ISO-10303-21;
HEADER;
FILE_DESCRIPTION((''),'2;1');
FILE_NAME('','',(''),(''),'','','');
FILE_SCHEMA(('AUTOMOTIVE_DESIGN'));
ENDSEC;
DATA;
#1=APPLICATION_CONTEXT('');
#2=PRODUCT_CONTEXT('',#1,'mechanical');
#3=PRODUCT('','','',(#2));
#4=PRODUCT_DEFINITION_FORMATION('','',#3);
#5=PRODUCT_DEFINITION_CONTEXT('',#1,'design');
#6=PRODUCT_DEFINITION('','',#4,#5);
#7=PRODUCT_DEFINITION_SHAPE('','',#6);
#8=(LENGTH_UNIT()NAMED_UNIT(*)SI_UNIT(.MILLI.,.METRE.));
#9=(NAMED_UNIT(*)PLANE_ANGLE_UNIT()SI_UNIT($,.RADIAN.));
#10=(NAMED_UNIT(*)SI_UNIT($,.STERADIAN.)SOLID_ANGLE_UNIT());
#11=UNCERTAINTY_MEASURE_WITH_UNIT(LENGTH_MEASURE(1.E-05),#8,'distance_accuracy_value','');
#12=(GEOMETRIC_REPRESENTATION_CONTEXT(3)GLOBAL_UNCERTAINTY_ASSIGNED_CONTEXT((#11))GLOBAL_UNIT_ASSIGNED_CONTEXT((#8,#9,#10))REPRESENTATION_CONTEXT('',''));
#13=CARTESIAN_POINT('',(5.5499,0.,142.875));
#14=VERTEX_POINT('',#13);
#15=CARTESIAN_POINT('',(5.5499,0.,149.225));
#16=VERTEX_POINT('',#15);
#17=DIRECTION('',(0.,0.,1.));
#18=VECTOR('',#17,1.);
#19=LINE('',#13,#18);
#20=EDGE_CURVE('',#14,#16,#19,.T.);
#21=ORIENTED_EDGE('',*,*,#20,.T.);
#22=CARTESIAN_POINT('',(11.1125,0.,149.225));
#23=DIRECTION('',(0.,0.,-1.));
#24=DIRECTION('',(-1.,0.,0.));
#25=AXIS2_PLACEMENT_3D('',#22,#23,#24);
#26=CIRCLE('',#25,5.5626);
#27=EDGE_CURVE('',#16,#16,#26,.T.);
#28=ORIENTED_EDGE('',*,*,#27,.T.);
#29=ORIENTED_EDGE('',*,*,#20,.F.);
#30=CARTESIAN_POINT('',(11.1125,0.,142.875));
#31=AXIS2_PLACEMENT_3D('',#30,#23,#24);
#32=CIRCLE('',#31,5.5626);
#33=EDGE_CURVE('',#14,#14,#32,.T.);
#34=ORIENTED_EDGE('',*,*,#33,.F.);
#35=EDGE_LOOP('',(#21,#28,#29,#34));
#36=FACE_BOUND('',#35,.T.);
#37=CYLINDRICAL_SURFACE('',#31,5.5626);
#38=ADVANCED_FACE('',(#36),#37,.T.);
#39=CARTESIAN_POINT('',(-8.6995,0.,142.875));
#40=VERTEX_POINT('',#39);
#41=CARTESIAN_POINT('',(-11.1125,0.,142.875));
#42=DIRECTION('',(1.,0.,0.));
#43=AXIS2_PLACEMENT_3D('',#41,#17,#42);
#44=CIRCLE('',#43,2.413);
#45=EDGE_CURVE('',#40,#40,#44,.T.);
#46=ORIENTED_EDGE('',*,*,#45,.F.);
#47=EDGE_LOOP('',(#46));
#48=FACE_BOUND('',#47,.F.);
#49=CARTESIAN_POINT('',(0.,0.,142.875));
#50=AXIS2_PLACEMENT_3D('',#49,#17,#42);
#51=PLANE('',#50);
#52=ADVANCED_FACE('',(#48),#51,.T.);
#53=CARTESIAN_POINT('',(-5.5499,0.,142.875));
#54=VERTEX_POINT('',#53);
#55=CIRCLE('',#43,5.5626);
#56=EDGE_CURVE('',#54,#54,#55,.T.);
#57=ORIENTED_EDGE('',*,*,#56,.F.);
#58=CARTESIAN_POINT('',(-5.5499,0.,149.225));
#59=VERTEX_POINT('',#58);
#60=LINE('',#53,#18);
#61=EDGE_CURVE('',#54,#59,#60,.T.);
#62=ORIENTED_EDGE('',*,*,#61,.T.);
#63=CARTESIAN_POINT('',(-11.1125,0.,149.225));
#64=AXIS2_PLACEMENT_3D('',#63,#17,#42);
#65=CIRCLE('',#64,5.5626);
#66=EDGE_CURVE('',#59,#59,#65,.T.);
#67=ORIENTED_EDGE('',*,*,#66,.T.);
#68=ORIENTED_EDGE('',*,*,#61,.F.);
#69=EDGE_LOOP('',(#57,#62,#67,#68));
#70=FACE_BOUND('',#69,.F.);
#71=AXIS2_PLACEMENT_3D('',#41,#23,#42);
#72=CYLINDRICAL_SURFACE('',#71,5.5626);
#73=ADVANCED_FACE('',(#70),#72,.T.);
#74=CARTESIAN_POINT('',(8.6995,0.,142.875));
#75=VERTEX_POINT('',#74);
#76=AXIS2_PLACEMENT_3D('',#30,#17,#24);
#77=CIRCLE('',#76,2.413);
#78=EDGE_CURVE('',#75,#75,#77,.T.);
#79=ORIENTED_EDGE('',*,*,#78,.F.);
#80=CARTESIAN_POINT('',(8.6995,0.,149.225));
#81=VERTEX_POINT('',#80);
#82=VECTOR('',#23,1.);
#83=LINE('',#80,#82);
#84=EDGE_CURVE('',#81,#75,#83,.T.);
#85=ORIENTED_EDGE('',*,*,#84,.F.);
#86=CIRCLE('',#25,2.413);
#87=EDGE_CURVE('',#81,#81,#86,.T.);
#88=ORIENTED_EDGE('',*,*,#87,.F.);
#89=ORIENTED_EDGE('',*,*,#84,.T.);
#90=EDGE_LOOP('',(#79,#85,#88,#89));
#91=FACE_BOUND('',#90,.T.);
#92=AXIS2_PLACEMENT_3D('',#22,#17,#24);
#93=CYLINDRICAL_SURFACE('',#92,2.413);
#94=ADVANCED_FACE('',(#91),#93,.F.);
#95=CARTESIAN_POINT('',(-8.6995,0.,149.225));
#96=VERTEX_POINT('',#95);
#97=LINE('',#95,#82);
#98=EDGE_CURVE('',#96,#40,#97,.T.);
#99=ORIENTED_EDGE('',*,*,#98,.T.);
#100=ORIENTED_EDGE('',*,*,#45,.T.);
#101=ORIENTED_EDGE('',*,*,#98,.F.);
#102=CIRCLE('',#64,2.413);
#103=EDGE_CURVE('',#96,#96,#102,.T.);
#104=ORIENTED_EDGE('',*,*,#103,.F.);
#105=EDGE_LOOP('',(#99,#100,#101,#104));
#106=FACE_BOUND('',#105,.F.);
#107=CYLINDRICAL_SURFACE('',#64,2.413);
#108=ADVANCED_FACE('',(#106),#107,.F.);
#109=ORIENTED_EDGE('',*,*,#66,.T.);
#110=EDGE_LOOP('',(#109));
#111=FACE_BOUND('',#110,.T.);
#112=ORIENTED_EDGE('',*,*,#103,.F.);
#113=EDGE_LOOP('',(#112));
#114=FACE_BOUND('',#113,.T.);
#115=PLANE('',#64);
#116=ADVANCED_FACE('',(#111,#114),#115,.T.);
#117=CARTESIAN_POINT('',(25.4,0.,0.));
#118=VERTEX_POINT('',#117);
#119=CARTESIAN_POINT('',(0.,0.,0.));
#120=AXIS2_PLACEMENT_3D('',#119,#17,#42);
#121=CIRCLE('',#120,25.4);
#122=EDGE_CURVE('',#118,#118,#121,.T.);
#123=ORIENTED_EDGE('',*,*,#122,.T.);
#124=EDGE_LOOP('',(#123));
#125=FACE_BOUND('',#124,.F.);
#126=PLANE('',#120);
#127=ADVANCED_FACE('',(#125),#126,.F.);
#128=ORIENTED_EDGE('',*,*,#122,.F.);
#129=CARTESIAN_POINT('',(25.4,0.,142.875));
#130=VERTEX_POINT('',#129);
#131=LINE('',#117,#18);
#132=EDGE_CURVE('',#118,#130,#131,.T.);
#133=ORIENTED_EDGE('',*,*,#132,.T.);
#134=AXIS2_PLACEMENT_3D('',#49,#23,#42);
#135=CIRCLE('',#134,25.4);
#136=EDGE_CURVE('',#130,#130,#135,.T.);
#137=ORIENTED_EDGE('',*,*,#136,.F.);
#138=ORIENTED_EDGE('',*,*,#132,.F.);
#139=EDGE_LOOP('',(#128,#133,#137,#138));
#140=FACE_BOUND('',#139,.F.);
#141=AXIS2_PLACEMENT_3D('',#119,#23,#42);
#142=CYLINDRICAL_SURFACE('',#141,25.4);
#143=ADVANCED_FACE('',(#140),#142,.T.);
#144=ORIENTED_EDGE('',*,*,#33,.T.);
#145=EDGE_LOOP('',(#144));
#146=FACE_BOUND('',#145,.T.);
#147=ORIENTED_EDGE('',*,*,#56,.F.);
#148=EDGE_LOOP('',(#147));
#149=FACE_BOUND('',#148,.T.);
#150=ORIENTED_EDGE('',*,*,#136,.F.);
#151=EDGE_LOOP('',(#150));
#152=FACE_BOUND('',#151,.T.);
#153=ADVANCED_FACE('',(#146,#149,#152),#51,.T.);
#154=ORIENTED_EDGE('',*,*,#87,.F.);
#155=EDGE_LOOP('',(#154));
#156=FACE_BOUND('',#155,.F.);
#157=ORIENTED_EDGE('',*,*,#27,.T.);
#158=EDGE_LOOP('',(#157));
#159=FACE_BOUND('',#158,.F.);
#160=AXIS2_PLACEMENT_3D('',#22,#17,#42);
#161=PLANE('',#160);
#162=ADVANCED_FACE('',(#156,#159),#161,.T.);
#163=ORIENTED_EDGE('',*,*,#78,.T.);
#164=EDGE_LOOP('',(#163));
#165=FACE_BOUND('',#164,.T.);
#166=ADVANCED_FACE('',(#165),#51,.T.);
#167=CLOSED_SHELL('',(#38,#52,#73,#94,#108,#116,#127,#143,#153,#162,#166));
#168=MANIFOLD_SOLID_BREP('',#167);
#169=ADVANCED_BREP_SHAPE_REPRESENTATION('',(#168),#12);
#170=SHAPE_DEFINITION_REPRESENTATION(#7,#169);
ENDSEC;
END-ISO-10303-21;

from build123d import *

# Parameters (mm, degrees)
F0_R     = 25.4
F1_DEPTH = 142.875
F2_R     = 5.5626
F3_DEPTH = 6.35
F4_R     = 2.413
F5_DEPTH = 9.525


with BuildPart() as f1:
    # F0 (on Top) → F1 (new body)
    with BuildSketch(Plane.XY):
        Circle(F0_R)
    extrude(amount=F1_DEPTH)

    # F2 (on face) → F3 (join)
    with BuildSketch(Plane.XY.offset(142.875)):
        with Locations((-11.1125, 0)):
            Circle(F2_R)
    extrude(amount=F3_DEPTH)

    # F4 (on face) → F5 (cut)
    with BuildSketch(Plane.XY.offset(149.225)):
        with Locations((-11.1125, 0)):
            Circle(F4_R)
    extrude(amount=-F5_DEPTH, mode=Mode.SUBTRACT)

    # F6: F1 across plane


with BuildPart() as f1_1:
    add(f1.part)
    add(f1.part.mirror(Plane.YZ))


solid = f1_1.part
